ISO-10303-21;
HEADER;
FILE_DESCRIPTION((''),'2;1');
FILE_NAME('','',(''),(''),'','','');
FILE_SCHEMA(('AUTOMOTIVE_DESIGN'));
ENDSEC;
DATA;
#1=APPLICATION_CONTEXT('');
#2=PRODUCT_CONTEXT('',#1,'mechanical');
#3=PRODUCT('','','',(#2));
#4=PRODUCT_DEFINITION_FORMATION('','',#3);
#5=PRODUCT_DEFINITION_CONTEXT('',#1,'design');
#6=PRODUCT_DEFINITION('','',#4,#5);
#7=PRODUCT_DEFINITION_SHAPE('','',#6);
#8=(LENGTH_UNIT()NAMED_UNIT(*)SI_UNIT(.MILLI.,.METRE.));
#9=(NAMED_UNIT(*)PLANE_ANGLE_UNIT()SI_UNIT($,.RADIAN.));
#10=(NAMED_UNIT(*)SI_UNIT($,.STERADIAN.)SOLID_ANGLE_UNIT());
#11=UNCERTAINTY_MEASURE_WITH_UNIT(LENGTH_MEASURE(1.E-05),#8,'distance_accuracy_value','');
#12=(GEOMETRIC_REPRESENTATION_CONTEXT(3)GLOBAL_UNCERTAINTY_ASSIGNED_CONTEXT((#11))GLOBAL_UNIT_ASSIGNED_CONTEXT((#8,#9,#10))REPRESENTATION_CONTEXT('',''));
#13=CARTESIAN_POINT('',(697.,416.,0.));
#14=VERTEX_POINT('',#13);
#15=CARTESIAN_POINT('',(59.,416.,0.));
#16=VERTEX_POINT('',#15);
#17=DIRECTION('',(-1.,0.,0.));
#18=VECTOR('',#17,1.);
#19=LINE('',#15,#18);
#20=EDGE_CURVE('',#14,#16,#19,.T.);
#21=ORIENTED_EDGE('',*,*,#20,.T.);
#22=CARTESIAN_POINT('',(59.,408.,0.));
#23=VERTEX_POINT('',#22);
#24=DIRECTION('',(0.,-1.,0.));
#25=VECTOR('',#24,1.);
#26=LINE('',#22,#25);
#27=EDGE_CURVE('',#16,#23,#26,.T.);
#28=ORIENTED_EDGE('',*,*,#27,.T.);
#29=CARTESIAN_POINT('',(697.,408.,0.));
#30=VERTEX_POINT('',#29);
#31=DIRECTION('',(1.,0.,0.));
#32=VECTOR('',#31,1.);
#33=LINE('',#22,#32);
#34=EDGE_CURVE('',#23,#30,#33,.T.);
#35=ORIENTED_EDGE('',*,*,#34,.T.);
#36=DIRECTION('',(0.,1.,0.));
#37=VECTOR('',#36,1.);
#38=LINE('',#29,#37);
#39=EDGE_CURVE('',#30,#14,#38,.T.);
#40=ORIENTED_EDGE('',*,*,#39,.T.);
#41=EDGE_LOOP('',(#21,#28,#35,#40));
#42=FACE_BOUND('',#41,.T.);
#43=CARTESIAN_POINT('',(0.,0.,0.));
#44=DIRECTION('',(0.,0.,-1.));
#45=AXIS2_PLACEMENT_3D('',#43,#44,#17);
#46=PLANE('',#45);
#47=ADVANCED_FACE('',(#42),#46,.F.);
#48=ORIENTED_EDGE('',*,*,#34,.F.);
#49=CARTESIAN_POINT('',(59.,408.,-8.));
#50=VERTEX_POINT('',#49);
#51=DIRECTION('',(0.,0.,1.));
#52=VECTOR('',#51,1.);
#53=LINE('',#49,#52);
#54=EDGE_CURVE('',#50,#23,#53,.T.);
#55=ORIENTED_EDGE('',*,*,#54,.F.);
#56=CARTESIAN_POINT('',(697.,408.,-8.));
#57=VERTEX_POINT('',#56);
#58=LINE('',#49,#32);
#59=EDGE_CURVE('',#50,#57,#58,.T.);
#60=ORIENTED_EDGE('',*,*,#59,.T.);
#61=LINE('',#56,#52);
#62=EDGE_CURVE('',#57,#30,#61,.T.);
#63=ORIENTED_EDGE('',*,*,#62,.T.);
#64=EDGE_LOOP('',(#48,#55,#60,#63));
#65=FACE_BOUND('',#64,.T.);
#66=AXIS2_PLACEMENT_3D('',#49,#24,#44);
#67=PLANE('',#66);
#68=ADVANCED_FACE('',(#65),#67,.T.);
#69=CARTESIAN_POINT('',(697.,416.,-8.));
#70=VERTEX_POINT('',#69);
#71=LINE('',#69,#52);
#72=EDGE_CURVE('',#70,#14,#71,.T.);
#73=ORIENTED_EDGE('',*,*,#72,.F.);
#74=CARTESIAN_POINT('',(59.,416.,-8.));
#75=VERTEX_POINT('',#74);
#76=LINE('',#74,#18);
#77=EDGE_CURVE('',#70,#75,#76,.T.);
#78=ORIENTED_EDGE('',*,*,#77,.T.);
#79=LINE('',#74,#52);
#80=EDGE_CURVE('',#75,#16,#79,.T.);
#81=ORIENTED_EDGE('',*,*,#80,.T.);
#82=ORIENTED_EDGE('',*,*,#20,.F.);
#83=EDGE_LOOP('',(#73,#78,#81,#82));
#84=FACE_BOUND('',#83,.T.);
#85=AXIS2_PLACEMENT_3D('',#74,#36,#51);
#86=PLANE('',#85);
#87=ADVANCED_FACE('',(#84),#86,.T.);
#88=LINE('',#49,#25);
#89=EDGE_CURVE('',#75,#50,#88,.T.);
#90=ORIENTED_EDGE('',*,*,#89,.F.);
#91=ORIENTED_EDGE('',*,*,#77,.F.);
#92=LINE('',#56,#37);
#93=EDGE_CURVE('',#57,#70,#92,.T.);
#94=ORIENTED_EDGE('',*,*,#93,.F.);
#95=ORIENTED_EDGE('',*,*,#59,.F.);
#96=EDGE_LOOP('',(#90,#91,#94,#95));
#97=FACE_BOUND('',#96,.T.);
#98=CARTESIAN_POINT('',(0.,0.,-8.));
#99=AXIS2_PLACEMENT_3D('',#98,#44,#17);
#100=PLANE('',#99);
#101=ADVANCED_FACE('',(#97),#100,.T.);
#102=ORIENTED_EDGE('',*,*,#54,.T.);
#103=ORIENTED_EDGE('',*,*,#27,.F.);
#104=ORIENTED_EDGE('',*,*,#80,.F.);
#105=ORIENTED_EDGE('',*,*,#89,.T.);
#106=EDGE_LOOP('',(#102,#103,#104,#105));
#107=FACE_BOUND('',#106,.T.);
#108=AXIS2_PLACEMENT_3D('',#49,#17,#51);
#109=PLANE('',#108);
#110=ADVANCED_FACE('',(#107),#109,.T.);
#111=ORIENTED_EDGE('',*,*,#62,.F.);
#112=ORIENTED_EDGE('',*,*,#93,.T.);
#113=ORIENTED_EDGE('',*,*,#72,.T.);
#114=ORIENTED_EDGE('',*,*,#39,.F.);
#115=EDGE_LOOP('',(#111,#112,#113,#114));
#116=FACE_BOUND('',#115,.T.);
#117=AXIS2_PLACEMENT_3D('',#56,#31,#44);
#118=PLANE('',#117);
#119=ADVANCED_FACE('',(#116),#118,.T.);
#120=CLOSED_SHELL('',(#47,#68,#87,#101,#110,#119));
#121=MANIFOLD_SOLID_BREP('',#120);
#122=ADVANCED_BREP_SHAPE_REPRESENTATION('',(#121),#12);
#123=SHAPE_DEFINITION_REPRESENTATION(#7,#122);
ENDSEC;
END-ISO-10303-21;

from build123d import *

# Parameters (mm, degrees)
SKETCH1_W                                = 638
SKETCH1_H                                = 8
STORE_KLAPE_KASET_KATI_PIVOT_MIL_1_DEPTH = 8


with BuildPart() as part:
    # Sketch1 → STORE_klape_kaset_kati_pivot_mil_1 (new body)
    with BuildSketch(Plane.XY):
        with Locations((378, 412)):
            Rectangle(SKETCH1_W, SKETCH1_H)
    extrude(amount=-STORE_KLAPE_KASET_KATI_PIVOT_MIL_1_DEPTH)


solid = part.part
